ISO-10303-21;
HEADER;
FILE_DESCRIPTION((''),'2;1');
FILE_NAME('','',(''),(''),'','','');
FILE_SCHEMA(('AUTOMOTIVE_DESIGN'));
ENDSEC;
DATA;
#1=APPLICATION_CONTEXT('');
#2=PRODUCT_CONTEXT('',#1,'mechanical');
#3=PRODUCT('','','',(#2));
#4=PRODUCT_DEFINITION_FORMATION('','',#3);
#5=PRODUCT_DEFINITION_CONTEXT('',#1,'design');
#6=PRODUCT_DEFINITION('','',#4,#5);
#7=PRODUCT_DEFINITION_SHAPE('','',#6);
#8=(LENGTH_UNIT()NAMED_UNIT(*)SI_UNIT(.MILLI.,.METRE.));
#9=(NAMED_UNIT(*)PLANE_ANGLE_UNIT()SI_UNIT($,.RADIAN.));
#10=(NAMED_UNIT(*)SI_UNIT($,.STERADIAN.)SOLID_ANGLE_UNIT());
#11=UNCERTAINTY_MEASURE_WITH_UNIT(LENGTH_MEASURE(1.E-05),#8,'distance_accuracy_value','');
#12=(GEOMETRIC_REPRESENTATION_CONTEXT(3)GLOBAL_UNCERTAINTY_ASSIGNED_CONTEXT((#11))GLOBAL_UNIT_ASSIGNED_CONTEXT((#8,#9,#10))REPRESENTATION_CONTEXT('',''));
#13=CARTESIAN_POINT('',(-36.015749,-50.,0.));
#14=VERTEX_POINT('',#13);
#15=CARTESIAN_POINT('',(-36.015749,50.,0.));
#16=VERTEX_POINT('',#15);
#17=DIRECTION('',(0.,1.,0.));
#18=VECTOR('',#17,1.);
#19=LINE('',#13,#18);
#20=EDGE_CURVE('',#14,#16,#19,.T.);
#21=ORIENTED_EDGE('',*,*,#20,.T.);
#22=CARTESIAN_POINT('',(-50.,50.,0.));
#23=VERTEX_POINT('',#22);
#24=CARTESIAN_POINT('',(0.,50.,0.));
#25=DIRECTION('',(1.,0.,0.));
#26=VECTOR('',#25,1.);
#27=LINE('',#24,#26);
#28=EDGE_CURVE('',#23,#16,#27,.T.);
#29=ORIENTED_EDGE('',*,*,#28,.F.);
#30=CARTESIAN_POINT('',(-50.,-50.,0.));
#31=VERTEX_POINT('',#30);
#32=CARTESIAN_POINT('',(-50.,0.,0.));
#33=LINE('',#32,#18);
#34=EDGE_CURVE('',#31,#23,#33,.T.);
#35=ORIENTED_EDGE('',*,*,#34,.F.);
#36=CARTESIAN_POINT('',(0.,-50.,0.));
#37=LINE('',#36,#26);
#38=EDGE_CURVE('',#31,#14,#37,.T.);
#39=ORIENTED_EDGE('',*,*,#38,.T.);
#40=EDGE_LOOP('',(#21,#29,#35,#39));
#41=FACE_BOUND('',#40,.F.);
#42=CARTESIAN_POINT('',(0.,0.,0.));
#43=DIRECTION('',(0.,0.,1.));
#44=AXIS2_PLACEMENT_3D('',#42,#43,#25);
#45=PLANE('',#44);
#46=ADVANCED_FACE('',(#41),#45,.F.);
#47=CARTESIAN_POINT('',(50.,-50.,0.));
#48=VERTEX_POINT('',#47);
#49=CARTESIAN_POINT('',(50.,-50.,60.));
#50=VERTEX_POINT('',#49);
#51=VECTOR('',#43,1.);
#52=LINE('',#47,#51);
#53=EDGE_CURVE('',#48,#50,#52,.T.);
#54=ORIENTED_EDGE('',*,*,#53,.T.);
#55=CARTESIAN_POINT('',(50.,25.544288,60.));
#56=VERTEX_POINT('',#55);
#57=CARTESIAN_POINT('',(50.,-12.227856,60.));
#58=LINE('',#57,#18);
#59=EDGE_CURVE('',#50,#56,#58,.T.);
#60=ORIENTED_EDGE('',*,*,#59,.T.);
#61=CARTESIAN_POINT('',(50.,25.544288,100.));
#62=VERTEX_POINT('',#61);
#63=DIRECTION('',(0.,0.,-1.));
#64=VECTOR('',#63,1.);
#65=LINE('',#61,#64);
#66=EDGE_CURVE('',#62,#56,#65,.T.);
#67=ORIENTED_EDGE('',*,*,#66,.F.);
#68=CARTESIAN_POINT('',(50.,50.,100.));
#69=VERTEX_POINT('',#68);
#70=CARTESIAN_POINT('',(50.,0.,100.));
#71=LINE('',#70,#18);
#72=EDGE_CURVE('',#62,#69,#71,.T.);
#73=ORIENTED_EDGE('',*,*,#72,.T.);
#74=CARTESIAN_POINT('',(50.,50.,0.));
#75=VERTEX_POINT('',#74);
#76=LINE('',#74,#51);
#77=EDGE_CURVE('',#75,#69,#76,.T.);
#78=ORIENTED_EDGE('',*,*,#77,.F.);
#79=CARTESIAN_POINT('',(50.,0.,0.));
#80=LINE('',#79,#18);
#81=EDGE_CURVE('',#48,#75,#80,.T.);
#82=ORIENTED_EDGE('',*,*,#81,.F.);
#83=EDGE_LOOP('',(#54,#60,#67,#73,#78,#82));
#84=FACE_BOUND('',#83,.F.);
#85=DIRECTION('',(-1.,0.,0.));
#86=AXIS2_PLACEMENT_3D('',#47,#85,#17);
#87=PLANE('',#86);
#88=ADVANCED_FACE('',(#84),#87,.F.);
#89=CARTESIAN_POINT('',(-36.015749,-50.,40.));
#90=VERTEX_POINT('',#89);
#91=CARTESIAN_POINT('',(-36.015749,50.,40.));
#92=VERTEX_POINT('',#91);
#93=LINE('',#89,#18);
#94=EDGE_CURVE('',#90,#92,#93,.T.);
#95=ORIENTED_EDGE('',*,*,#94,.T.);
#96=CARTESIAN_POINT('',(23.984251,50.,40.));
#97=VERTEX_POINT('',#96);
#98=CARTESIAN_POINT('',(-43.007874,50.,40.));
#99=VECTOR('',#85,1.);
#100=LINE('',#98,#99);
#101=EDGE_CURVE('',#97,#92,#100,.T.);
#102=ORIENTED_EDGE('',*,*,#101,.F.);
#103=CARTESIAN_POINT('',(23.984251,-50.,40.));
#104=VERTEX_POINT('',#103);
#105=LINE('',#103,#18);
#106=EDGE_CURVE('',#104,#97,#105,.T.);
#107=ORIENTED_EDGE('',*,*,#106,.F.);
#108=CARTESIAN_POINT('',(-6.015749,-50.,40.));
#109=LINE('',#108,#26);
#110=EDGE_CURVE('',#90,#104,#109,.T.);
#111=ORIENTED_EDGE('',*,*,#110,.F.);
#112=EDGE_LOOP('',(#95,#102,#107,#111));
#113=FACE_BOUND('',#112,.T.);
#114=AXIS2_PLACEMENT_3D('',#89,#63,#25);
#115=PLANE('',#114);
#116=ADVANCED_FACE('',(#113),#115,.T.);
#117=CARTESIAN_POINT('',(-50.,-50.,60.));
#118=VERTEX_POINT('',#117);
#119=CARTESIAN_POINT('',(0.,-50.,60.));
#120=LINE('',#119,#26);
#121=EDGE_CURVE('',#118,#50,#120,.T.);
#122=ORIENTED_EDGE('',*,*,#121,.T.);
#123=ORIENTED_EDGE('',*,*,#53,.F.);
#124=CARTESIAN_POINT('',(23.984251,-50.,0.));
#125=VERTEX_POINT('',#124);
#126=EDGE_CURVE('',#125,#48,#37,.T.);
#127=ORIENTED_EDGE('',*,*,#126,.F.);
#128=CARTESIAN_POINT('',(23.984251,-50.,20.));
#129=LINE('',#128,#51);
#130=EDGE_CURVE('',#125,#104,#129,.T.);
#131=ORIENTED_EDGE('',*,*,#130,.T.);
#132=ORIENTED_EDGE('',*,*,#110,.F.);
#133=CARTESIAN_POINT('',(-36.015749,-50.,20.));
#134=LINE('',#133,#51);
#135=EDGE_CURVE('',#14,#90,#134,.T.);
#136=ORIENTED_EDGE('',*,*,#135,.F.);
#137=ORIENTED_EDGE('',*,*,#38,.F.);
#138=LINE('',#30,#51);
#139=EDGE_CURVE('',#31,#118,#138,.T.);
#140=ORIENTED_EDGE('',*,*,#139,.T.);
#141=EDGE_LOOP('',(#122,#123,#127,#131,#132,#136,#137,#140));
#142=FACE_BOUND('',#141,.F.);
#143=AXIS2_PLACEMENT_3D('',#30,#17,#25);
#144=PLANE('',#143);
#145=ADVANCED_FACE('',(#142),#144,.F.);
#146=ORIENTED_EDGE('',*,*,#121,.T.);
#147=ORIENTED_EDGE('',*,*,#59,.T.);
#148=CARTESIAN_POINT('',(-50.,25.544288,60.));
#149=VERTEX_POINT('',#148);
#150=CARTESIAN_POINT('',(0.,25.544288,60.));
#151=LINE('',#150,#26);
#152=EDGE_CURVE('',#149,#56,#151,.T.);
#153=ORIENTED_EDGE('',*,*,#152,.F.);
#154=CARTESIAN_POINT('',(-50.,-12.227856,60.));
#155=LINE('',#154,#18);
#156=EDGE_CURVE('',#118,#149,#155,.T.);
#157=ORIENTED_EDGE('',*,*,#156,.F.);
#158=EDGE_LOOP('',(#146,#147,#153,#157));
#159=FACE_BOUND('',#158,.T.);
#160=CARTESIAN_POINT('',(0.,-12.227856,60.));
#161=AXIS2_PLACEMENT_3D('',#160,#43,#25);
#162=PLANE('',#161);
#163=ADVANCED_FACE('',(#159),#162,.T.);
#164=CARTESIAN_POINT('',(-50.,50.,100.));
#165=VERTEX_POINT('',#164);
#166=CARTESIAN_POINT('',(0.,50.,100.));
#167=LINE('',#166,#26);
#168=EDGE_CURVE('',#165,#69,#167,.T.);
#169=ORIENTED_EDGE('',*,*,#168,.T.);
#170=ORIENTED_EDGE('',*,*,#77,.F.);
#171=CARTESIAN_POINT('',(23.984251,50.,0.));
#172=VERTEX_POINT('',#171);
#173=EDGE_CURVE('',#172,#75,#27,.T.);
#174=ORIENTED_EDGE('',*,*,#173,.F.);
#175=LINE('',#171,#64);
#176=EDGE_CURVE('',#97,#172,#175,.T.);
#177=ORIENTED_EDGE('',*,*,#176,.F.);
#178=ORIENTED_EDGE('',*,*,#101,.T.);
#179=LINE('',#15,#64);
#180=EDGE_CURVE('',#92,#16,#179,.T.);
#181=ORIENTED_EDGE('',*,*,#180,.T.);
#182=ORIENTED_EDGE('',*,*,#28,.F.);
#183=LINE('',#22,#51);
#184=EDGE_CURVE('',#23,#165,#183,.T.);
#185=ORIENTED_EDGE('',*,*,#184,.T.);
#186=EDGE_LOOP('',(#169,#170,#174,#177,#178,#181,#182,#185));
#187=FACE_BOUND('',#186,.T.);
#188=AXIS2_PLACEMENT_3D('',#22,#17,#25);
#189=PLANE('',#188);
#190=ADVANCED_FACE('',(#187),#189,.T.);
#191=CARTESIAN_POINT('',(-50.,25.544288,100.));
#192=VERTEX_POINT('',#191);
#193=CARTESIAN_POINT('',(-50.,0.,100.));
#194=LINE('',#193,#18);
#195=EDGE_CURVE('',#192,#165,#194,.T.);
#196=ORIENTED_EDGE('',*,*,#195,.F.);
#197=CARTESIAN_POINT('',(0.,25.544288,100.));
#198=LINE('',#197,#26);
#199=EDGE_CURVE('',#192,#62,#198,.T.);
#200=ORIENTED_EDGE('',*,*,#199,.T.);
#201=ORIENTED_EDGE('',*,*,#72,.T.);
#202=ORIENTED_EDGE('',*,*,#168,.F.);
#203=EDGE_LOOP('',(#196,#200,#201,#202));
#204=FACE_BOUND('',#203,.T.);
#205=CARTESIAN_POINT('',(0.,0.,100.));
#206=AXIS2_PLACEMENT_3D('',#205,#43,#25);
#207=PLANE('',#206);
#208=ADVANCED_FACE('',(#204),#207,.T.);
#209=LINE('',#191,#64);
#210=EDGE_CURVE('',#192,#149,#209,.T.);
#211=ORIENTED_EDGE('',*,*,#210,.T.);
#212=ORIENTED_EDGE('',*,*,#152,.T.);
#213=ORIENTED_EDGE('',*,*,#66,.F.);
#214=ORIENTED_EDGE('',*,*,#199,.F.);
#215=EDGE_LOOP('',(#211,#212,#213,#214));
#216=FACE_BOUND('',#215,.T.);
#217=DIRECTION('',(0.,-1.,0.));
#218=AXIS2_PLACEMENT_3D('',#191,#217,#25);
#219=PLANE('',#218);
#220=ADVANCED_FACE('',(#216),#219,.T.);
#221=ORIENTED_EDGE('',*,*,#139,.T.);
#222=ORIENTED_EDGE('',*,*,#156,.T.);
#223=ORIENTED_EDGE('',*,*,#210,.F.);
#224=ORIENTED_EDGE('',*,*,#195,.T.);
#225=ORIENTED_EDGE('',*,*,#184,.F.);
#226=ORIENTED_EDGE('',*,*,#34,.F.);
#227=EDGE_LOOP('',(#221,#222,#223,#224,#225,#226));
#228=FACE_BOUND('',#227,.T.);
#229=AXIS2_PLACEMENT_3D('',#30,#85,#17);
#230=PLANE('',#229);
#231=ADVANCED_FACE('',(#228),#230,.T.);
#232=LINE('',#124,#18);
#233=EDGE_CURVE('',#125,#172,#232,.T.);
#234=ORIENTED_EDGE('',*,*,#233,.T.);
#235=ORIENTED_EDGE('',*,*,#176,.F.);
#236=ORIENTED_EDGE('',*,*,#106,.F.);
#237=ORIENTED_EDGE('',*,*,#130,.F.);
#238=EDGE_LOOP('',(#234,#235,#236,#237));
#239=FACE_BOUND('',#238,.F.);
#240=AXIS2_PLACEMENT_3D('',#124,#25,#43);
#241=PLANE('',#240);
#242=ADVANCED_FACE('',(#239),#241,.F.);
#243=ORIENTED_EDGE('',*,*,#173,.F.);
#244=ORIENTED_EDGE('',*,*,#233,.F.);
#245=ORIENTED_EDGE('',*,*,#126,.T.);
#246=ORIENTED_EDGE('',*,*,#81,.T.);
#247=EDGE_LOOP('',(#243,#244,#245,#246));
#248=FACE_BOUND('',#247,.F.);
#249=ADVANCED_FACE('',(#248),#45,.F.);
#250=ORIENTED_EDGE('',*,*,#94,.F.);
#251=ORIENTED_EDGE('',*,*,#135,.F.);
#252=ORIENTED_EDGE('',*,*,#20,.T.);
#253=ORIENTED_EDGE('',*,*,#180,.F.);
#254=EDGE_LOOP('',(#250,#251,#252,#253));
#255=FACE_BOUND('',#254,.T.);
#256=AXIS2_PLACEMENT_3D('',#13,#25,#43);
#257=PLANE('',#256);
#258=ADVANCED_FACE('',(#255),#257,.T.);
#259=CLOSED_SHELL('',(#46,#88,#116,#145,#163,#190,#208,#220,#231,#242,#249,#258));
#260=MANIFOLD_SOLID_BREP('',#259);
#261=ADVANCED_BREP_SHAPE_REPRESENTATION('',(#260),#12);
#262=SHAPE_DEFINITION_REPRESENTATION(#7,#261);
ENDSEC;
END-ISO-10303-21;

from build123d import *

# Parameters (mm, degrees)
F0_W     = 100
F0_H     = 100
F1_DEPTH = 100
F2_W     = 100
F2_H     = 75.544288
F3_DEPTH = 40
F4_W     = 60
F4_H     = 40
F5_DEPTH = 100.001
F6_DEPTH = 100.001


with BuildPart() as f1:
    # F0 (on Top) → F1 (new body)
    with BuildSketch(Plane.XY):
        Rectangle(F0_W, F0_H)
    extrude(amount=F1_DEPTH)

    # F2 (on face) → F3 (cut)
    with BuildSketch(Plane.XY.offset(100)):
        with Locations((0, -12.227856)):
            Rectangle(F2_W, F2_H)
    extrude(amount=-F3_DEPTH, mode=Mode.SUBTRACT)

    # F4 (on face) → F5 (cut, through all)
    with BuildSketch(Plane.XZ.offset(50)):
        with Locations((-6.015749, 20)):
            Rectangle(F4_W, F4_H)
    extrude(amount=-F5_DEPTH, mode=Mode.SUBTRACT)

    # F4 (on face) → F6 (cut, through all)
    with BuildSketch(Plane.XZ.offset(50)):
        with Locations((-6.015749, 20)):
            Rectangle(F4_W, F4_H)
    extrude(amount=-F6_DEPTH, mode=Mode.SUBTRACT)


solid = f1.part
